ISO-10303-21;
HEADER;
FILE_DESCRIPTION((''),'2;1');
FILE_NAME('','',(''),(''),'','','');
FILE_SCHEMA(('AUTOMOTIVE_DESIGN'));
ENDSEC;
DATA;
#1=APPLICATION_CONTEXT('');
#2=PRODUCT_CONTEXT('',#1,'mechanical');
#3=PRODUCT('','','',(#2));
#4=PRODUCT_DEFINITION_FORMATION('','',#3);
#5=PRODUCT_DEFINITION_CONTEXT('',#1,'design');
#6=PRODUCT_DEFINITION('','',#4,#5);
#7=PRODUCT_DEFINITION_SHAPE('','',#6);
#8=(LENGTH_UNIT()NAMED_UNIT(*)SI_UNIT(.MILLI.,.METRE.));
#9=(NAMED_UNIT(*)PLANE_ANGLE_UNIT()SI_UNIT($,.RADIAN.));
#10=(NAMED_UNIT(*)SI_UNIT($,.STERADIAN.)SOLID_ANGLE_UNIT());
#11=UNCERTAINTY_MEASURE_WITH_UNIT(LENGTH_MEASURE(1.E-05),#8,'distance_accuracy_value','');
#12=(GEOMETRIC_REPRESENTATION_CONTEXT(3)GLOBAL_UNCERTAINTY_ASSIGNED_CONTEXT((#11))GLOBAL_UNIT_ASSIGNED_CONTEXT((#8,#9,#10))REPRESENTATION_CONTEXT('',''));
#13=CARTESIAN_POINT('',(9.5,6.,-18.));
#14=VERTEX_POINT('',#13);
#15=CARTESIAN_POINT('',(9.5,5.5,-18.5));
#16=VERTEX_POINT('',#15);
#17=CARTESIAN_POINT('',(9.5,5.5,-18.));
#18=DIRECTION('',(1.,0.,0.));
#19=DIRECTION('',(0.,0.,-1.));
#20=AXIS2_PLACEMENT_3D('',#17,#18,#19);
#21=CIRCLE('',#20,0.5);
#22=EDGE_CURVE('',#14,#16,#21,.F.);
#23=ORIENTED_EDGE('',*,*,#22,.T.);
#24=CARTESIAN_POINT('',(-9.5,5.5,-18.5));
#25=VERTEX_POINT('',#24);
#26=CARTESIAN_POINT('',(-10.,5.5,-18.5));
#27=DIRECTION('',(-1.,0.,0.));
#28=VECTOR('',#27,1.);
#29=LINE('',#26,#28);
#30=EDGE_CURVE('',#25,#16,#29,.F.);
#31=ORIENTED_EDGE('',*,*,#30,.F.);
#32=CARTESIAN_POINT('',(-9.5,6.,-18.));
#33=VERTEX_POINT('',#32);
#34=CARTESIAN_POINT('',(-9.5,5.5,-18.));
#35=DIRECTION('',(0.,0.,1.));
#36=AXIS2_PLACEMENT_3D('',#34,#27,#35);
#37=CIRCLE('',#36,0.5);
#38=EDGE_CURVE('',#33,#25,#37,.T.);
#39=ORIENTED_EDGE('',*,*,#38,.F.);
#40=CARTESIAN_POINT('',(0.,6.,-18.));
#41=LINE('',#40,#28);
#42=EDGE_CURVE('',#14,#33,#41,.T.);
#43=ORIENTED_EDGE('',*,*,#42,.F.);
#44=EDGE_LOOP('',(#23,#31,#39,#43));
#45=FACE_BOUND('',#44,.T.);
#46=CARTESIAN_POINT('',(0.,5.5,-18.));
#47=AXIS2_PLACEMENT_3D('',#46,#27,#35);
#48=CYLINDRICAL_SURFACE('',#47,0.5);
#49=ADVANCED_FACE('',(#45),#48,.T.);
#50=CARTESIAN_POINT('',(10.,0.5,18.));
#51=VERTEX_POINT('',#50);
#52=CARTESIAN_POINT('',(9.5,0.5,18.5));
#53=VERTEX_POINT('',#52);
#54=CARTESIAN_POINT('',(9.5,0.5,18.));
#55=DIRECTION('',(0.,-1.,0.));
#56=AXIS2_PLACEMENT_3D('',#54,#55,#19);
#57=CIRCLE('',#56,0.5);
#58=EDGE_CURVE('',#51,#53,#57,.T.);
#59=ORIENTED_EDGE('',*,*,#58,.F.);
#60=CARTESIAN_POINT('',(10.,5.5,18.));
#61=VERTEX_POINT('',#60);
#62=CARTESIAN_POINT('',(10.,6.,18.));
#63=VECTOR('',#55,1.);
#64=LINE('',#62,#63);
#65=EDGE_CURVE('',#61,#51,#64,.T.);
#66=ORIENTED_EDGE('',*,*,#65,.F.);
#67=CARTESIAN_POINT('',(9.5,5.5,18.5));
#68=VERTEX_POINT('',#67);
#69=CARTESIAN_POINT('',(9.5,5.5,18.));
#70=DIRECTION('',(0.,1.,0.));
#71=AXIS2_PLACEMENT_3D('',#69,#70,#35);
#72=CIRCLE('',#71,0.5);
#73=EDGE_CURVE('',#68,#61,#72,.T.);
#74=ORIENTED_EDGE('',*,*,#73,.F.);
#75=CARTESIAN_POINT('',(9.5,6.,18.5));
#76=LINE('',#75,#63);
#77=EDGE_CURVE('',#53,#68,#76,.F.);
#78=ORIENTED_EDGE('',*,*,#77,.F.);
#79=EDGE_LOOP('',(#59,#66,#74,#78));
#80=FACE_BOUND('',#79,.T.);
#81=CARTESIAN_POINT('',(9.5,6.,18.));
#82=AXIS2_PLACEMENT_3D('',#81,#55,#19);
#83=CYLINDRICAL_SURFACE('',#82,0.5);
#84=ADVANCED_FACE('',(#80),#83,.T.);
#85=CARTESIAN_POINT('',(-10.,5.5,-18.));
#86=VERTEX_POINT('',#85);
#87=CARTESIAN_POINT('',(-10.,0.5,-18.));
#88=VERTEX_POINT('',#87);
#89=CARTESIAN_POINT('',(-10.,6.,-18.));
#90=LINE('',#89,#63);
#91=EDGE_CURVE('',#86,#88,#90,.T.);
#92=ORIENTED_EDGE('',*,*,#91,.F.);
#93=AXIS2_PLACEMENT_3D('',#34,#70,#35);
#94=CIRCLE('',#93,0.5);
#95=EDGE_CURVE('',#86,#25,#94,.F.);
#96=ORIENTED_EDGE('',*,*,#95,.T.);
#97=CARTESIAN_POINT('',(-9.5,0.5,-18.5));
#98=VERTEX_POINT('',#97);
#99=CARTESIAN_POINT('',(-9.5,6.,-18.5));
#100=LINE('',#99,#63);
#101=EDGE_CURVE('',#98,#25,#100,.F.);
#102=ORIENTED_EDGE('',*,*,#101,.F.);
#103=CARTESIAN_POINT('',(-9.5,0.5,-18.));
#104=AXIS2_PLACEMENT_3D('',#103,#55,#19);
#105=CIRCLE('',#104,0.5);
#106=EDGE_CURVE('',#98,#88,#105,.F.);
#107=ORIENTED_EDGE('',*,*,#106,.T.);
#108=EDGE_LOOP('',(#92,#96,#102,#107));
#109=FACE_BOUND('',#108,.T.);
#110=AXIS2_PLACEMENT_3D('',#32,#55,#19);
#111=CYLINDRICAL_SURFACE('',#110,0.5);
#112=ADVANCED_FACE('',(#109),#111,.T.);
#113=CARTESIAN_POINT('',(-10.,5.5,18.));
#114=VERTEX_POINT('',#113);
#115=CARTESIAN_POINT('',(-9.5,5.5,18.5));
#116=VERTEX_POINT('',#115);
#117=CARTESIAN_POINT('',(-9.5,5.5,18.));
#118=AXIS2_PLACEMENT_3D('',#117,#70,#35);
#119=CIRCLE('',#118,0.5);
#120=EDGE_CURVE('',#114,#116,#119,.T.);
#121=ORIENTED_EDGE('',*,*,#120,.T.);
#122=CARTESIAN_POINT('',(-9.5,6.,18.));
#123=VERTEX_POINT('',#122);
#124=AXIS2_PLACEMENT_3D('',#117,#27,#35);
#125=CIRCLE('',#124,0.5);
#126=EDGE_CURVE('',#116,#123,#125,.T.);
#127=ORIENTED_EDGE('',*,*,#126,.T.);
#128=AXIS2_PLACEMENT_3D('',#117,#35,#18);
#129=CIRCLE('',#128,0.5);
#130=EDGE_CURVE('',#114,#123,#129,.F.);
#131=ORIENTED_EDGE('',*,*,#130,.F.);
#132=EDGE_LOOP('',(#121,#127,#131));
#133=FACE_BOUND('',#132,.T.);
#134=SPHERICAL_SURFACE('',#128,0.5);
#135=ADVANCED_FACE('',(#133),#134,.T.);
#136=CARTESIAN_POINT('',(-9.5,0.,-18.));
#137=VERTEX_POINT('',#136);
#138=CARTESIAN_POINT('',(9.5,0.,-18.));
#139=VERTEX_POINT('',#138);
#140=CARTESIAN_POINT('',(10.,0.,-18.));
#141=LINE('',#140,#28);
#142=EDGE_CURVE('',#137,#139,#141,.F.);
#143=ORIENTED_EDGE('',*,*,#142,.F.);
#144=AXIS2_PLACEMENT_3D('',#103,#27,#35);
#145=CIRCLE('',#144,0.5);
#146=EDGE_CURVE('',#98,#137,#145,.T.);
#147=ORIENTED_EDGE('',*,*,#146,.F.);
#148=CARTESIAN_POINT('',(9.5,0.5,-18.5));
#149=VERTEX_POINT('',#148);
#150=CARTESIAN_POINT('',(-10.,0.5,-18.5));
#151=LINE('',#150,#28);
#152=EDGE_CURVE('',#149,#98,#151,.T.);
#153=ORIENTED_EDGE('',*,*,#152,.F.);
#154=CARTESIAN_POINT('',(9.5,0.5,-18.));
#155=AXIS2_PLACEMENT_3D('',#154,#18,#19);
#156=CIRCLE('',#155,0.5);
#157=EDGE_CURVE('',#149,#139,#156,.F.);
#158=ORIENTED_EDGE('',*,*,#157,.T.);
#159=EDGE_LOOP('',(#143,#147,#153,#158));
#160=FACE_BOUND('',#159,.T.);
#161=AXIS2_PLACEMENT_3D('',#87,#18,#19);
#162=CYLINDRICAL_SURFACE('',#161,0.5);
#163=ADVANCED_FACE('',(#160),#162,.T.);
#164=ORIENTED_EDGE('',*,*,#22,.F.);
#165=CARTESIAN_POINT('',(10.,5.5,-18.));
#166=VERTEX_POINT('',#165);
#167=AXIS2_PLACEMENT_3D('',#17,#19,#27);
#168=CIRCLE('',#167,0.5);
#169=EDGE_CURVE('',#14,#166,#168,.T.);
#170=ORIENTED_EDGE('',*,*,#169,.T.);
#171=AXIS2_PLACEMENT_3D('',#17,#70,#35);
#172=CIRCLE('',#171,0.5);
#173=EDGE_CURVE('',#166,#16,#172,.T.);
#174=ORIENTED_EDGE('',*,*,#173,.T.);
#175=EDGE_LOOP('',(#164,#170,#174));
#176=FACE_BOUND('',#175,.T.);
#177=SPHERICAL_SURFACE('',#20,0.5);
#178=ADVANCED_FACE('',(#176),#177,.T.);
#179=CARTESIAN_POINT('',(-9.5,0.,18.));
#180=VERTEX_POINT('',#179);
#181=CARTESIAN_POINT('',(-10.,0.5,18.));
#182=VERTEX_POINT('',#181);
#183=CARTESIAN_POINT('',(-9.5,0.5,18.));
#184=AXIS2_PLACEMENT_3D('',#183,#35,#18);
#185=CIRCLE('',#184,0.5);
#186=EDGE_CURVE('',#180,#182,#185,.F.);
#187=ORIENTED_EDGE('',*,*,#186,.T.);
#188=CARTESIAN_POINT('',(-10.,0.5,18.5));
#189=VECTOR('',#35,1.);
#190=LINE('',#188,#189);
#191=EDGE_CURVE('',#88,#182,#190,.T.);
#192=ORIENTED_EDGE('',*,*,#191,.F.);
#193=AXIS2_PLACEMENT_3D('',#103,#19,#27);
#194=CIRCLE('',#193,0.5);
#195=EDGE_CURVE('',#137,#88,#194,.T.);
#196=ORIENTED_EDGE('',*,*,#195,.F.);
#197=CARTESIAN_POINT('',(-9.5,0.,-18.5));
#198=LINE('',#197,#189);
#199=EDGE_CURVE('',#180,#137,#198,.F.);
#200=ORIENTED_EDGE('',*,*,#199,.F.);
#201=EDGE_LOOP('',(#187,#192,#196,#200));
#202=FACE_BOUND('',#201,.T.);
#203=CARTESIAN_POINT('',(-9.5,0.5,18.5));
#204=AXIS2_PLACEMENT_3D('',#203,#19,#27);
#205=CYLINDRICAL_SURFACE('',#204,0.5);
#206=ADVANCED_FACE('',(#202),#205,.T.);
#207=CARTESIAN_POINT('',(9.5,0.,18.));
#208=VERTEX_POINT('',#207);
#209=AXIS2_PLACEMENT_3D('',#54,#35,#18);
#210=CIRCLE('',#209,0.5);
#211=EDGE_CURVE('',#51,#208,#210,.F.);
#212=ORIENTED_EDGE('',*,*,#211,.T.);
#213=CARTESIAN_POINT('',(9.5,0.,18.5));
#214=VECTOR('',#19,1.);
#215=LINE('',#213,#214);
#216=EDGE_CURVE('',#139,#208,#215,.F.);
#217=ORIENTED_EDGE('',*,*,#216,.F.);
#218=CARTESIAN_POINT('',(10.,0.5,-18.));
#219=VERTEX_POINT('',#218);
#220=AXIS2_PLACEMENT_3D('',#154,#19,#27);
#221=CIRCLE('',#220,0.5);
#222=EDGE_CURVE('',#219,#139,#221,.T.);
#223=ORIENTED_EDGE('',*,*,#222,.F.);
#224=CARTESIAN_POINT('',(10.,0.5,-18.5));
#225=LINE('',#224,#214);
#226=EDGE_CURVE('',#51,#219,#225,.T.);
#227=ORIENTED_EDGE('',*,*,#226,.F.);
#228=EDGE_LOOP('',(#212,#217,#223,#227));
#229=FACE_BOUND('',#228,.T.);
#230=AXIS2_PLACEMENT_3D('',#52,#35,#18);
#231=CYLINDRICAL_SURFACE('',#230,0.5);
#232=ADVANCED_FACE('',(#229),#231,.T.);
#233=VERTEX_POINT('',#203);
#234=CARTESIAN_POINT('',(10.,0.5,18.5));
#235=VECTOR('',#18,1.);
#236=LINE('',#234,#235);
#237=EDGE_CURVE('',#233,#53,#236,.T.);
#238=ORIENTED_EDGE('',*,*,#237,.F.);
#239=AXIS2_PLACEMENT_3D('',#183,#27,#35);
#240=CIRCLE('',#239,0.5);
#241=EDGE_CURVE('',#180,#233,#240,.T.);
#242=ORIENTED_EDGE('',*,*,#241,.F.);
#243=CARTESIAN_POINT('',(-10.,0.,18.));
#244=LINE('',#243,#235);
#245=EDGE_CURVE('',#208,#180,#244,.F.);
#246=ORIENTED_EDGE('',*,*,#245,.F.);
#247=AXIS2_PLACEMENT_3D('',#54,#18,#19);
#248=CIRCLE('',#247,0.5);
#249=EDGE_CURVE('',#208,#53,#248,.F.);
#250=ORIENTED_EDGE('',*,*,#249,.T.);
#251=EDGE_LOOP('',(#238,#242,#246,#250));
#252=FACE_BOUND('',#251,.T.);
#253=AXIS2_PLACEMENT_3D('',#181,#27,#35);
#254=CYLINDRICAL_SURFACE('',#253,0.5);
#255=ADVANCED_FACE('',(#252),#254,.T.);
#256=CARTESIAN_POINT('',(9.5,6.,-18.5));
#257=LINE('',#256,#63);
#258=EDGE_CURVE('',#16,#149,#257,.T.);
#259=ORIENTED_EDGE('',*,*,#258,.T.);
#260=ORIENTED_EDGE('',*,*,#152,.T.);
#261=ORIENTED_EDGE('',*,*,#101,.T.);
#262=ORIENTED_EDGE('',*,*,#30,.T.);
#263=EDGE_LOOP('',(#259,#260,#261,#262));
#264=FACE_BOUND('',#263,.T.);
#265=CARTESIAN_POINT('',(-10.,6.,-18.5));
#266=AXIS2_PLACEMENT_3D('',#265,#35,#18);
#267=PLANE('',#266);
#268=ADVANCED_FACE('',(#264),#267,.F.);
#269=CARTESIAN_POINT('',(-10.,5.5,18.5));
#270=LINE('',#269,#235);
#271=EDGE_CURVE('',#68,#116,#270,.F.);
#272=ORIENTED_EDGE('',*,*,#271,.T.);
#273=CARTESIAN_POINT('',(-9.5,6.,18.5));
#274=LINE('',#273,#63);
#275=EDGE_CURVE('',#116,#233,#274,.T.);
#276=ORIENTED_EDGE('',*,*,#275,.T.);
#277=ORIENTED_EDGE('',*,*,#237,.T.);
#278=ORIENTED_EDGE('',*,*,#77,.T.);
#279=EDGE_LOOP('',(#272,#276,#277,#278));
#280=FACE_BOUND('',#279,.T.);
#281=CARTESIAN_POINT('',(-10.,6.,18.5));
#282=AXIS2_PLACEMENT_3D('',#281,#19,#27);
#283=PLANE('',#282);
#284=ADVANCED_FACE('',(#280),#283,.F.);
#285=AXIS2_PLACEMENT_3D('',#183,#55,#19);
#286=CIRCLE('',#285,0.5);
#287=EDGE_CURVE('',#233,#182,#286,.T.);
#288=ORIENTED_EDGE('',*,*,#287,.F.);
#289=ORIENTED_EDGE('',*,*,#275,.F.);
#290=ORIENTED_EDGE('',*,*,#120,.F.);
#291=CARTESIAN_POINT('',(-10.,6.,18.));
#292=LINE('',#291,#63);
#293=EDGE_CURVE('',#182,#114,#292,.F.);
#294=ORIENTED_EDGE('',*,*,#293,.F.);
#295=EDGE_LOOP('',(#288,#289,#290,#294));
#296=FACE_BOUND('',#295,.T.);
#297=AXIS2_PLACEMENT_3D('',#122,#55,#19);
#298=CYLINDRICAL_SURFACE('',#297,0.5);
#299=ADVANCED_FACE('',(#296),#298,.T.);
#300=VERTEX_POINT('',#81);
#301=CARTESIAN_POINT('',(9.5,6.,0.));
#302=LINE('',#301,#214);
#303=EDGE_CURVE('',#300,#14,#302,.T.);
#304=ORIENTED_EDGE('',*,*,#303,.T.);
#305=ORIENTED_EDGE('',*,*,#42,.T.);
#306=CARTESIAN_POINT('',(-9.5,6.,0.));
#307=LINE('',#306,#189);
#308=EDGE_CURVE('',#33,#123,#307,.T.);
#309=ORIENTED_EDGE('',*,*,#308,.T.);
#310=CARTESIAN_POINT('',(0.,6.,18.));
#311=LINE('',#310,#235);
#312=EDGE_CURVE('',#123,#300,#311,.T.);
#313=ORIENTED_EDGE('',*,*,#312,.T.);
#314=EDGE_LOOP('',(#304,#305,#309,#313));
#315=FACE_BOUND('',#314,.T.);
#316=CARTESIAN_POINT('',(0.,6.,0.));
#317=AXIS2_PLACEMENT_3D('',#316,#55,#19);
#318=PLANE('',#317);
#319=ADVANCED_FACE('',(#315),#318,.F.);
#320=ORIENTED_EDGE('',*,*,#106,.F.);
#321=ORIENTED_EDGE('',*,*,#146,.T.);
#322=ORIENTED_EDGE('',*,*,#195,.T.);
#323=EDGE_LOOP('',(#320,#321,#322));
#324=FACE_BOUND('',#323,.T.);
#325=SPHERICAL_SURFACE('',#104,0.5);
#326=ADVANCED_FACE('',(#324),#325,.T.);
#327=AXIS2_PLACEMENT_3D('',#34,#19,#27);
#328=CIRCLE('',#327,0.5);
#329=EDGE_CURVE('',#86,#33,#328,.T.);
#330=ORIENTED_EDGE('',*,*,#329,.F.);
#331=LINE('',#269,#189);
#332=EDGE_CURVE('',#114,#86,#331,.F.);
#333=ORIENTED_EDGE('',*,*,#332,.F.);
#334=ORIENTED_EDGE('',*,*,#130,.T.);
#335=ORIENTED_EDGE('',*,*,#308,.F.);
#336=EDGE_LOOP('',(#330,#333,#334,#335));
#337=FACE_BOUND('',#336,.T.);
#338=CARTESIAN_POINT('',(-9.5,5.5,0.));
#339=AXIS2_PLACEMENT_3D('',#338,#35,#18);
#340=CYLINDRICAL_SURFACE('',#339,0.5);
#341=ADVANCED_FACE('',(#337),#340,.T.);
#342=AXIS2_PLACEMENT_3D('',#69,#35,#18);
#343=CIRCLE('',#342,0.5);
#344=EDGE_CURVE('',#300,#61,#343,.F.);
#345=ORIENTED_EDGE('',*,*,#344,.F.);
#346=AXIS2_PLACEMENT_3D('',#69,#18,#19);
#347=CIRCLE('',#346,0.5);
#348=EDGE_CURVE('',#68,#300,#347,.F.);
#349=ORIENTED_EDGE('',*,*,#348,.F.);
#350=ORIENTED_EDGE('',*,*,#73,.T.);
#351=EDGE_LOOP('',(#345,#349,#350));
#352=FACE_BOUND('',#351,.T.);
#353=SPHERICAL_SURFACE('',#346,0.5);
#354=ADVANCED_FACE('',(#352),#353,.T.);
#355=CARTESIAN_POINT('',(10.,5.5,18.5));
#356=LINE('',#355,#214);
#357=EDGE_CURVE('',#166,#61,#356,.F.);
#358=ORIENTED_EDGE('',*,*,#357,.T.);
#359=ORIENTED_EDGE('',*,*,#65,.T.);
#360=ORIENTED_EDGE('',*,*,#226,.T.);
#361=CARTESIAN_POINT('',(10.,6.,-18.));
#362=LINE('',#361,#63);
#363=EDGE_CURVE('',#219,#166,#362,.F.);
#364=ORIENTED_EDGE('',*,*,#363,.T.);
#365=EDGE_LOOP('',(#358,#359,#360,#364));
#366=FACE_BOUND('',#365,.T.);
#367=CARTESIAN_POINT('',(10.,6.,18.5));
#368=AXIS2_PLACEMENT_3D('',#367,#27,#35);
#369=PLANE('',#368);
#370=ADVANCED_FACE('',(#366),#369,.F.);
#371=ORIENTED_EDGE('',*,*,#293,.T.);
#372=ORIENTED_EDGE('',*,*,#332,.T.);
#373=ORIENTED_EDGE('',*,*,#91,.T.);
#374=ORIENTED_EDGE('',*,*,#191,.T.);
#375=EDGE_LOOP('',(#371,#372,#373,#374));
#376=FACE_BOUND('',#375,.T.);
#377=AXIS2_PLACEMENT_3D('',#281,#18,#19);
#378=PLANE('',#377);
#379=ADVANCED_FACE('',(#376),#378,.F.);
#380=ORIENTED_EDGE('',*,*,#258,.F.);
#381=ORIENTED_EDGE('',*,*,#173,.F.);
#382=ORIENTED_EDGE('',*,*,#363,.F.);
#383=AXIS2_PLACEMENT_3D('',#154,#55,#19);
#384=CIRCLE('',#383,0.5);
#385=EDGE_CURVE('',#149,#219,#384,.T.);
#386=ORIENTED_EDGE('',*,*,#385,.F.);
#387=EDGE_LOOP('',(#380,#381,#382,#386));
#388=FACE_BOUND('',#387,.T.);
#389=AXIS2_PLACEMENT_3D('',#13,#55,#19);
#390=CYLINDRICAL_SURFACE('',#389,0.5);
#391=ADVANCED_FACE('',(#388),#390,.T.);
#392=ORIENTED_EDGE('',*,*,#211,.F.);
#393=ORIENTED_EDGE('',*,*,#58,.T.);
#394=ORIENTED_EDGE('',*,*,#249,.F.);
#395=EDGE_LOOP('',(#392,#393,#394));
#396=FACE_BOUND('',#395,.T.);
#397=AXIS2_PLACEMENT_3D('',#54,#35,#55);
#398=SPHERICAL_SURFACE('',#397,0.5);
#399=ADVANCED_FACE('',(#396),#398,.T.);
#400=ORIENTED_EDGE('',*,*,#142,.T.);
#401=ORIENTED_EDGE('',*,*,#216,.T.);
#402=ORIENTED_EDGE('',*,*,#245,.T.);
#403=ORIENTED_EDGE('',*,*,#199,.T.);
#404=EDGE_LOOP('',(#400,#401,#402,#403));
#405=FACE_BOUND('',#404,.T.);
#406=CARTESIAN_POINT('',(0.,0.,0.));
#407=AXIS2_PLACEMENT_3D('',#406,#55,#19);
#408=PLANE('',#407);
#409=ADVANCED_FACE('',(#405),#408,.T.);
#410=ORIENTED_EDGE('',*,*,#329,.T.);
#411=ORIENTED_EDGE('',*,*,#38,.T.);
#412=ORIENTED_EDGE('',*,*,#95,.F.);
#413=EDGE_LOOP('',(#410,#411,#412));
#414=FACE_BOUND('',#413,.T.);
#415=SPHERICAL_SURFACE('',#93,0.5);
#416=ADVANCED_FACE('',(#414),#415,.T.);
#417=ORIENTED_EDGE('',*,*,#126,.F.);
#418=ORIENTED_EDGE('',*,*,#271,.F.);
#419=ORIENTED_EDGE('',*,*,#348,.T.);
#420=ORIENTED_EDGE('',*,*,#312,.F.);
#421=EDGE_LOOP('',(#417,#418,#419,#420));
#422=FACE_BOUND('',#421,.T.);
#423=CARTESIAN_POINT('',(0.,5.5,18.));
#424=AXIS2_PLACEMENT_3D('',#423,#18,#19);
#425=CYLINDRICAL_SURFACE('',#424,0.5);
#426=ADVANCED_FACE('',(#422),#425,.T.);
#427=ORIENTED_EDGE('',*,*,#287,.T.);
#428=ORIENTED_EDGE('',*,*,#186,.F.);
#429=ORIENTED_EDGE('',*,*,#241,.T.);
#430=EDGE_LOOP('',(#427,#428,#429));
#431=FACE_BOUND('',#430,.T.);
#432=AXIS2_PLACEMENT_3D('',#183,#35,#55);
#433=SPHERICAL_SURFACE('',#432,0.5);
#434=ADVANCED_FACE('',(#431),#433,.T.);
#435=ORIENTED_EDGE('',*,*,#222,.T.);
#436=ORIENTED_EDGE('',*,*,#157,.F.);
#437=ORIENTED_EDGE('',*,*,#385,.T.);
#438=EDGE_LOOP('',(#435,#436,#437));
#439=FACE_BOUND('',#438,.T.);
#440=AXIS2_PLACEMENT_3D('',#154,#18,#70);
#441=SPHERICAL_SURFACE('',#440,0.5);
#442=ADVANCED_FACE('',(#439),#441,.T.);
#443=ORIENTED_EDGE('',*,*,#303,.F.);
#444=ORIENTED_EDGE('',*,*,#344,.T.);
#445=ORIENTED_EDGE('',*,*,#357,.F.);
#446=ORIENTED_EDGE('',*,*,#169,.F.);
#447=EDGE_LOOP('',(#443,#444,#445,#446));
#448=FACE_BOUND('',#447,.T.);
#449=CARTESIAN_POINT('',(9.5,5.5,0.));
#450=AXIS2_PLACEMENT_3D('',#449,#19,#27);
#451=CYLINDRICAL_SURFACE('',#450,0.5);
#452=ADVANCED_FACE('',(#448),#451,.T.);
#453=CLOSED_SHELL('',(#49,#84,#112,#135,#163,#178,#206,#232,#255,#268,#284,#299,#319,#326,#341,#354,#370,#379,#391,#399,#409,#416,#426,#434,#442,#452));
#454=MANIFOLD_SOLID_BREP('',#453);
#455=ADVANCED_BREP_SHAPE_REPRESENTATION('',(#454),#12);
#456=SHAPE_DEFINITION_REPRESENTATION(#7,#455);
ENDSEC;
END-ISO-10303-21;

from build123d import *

# Parameters (mm, degrees)
SKETCH1_W           = 20
SKETCH1_H           = 37
BOSS_EXTRUDE1_DEPTH = 6
FILLET1_R           = 0.5


with BuildPart() as part:
    # Sketch1 → Boss-Extrude1 (new body)
    with BuildSketch(Plane(origin=(0, 0, 0), x_dir=(1, 0, 0), z_dir=(0, 1, 0))):
        Rectangle(SKETCH1_W, SKETCH1_H)
    extrude(amount=BOSS_EXTRUDE1_DEPTH)

    # Fillet1
    fillet1_edges = [part.edges().sort_by_distance(p)[0] for p in [
        (-10, 6, 0),
        (0, 6, 18.5),
        (10, 6, 0),
        (0, 0, 18.5),
        (-10, 0, 0),
        (0, 0, -18.5),
        (10, 0, 0),
        (10, 3, 18.5),
        (-10, 3, 18.5),
        (-10, 3, -18.5),
        (10, 3, -18.5),
        (0, 6, -18.5),
    ]]
    fillet(fillet1_edges, radius=FILLET1_R)


solid = part.part
